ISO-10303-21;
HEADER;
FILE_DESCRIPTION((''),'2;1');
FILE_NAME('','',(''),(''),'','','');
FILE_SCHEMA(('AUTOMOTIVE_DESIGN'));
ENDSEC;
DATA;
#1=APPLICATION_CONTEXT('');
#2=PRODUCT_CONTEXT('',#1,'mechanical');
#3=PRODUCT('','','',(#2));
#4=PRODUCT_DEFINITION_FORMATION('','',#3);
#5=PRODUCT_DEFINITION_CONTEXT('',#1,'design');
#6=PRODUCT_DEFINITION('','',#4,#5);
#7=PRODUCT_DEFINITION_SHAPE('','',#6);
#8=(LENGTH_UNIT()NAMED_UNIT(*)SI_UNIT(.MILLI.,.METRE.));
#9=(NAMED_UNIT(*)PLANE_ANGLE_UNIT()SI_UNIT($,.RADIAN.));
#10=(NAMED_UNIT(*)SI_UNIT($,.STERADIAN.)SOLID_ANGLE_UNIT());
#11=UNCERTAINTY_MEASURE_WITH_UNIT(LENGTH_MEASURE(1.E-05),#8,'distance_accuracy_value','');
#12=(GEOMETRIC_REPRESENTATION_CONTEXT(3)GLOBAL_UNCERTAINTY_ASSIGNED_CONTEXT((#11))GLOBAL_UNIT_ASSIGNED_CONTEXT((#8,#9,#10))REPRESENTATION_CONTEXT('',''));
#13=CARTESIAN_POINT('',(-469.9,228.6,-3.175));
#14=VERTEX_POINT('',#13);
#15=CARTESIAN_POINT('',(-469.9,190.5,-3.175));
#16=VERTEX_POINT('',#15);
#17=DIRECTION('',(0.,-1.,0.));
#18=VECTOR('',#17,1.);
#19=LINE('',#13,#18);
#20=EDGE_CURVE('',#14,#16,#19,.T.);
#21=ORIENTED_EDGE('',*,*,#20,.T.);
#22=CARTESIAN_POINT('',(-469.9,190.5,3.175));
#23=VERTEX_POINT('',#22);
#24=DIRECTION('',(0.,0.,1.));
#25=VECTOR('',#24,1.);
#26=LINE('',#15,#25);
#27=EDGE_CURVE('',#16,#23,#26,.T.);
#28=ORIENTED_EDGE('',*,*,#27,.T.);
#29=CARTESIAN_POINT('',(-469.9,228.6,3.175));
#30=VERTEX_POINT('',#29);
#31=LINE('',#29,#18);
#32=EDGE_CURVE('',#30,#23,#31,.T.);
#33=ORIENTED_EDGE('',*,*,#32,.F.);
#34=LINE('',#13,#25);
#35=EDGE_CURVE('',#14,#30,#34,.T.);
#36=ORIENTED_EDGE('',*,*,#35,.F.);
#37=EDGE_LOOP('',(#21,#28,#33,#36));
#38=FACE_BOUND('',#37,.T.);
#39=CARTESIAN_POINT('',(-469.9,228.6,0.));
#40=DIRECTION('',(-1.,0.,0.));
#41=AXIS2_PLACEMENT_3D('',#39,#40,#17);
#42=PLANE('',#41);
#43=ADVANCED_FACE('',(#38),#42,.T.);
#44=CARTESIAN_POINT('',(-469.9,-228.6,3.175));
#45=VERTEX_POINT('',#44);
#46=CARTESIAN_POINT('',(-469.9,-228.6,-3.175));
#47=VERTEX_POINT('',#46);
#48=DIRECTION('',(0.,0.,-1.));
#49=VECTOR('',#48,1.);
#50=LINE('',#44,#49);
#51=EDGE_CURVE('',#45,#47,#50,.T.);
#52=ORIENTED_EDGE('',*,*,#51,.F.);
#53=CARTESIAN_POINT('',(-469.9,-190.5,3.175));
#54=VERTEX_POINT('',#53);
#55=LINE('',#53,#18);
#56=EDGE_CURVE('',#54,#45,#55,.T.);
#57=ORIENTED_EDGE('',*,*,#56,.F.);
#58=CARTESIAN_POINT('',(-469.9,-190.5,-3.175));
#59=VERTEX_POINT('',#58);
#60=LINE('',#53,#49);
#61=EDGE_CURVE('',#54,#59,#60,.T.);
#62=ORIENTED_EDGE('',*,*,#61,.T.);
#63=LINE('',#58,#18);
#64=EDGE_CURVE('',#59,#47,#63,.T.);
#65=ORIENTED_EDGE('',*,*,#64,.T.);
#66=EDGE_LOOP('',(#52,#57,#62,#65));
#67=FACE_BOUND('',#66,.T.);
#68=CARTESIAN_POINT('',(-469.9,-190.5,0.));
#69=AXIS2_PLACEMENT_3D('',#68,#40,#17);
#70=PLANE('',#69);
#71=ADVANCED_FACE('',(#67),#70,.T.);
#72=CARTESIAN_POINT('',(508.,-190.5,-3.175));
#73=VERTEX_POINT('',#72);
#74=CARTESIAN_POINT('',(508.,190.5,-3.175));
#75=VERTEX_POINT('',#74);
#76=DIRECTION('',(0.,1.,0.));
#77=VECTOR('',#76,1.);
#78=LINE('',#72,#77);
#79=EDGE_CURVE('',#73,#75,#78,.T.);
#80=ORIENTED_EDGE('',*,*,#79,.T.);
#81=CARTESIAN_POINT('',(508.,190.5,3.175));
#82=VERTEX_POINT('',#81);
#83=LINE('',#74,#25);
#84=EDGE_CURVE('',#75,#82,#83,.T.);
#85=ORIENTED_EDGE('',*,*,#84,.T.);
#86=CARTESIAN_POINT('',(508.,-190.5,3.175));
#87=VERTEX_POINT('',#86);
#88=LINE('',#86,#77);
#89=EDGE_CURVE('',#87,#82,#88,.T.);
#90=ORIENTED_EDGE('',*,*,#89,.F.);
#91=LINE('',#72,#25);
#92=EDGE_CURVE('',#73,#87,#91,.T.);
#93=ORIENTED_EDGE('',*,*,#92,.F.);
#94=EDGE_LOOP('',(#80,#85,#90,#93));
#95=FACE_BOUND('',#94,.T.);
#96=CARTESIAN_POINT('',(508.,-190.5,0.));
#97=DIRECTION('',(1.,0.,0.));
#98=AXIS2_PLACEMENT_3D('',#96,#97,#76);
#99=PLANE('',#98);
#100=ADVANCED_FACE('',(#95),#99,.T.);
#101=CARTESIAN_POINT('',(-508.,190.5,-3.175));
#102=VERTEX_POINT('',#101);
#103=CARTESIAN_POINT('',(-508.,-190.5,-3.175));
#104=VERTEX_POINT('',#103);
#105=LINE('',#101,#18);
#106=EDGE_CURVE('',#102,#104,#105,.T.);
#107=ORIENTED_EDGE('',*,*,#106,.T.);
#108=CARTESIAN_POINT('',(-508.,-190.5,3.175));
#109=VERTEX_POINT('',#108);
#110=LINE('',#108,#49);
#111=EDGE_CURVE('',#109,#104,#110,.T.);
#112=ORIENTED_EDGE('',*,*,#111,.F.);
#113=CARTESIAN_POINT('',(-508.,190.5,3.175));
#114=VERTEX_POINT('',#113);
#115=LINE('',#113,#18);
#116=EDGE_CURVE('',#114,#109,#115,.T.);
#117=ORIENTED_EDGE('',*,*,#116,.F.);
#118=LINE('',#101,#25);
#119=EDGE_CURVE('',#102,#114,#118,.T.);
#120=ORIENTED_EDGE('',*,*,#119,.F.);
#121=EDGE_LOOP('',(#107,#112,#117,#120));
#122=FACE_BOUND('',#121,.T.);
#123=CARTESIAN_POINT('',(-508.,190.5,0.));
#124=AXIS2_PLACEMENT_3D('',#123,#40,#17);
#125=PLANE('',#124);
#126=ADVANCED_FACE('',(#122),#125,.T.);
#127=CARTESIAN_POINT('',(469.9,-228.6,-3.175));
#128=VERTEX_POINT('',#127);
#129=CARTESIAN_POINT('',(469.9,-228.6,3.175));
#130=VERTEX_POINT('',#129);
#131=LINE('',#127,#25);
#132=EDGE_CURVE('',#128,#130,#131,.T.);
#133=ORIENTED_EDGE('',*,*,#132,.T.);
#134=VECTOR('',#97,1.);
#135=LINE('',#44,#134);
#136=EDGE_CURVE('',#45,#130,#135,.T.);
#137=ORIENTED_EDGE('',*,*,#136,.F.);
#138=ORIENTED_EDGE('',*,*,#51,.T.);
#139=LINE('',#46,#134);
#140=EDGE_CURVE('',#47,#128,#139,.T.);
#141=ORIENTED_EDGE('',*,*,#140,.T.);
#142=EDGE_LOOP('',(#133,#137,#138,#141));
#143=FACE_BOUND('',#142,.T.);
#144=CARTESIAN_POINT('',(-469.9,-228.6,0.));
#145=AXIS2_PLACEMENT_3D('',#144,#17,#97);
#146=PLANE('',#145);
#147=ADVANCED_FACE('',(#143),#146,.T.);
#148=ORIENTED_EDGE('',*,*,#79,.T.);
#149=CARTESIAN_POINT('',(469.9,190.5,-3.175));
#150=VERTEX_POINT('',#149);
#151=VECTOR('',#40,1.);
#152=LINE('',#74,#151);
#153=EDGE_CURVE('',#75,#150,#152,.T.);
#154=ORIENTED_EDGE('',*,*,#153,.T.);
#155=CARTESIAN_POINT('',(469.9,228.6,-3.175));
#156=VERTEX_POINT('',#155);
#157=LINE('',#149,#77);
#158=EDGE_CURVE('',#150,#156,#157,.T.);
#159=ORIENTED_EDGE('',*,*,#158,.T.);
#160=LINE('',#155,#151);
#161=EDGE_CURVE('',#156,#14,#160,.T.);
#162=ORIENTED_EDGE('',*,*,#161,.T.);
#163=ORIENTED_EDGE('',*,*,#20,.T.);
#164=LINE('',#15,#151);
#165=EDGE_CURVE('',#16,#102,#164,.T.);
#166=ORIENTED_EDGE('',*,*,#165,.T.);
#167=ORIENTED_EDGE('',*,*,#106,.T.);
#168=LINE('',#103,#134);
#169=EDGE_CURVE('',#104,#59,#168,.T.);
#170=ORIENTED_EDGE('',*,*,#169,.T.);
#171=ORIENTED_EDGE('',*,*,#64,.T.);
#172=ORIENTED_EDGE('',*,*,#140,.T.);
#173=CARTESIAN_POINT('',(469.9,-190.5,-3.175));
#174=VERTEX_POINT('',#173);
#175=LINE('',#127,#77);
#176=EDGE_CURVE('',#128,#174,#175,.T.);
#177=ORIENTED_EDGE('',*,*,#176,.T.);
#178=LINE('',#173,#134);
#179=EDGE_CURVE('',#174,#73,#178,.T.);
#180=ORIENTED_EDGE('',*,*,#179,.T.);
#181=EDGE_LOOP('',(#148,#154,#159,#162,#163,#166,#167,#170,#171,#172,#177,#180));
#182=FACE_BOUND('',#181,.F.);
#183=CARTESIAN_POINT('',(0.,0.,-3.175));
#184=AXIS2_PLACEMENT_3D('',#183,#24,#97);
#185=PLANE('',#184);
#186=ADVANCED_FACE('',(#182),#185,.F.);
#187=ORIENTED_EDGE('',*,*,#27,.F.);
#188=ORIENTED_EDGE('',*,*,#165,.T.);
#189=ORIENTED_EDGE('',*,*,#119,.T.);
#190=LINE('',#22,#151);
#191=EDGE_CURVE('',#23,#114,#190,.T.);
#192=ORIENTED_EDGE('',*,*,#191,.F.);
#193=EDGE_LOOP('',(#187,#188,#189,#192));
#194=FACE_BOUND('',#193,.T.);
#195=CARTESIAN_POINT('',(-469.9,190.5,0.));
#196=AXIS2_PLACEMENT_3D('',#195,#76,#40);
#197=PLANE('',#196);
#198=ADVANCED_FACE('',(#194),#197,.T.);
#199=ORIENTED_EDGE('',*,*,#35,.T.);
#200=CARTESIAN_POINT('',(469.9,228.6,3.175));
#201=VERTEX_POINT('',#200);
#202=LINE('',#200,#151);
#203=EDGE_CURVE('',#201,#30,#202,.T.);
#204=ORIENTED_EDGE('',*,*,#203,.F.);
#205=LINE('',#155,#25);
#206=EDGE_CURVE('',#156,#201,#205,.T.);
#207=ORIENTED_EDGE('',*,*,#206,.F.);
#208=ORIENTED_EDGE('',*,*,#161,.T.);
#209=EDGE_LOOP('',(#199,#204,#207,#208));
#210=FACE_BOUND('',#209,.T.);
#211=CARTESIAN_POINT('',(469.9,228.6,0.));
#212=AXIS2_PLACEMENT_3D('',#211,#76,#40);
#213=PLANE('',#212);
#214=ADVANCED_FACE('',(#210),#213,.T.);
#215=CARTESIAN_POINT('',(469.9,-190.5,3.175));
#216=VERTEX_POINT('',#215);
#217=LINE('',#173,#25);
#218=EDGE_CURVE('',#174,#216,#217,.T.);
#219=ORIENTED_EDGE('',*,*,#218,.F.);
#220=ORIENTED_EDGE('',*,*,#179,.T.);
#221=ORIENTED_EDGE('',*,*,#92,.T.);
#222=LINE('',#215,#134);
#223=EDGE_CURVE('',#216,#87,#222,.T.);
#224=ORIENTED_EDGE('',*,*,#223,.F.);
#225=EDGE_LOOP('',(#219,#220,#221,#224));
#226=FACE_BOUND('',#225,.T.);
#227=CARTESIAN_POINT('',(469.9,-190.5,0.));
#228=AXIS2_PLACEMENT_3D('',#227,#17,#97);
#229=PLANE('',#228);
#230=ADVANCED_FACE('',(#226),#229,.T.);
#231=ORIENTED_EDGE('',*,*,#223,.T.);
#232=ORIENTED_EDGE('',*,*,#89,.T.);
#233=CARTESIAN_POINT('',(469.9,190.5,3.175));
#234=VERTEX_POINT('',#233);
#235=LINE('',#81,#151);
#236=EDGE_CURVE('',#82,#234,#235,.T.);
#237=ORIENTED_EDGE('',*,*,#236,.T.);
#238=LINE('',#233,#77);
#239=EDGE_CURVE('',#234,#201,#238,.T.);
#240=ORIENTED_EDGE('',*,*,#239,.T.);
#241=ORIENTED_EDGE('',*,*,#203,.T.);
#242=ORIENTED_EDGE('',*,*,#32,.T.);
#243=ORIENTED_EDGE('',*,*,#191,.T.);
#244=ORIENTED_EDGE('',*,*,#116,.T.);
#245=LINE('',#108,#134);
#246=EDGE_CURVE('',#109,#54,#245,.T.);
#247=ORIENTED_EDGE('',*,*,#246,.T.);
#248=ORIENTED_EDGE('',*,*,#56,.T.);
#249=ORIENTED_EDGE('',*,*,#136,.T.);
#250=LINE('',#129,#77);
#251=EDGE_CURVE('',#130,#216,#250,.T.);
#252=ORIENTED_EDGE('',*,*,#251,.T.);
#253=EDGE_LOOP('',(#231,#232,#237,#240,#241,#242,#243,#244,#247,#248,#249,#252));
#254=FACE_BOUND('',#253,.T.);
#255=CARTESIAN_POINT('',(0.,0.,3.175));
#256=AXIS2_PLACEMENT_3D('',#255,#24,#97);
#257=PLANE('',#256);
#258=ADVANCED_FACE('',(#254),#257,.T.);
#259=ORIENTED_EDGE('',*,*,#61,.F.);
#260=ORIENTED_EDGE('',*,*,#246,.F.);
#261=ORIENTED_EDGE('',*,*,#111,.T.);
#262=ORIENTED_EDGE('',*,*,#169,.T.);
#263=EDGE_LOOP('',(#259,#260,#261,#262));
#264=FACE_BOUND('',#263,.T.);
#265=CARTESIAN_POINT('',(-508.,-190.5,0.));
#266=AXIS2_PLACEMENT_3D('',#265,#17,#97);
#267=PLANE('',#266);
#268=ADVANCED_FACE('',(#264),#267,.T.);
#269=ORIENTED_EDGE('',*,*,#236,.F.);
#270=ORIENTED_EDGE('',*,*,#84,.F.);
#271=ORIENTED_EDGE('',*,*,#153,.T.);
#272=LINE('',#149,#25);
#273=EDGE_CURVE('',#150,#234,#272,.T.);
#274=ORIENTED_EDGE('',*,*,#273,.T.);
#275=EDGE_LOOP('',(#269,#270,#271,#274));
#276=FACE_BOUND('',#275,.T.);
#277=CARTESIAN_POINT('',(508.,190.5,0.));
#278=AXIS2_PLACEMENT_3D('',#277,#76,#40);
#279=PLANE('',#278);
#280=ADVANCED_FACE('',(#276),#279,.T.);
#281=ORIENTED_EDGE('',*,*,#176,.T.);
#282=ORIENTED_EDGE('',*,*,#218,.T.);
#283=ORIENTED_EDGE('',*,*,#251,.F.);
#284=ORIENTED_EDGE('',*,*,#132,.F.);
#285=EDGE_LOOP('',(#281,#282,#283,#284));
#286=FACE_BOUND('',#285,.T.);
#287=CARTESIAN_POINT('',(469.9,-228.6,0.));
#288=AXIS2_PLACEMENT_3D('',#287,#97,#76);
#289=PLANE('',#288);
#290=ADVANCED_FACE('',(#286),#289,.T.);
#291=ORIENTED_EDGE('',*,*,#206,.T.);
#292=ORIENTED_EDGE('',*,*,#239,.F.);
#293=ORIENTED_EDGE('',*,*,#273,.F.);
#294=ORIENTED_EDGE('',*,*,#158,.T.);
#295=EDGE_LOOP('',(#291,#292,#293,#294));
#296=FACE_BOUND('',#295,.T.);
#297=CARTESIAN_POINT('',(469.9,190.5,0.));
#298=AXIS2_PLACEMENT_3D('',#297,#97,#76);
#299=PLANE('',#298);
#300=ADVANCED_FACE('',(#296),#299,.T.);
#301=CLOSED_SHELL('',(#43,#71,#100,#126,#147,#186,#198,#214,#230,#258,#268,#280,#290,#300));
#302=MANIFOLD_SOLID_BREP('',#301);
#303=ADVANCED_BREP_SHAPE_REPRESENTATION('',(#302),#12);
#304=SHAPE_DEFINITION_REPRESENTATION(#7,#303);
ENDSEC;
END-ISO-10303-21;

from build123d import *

# Parameters (mm, degrees)
F1_DEPTH = 3.175


with BuildPart() as f1:
    # F0 (on Top) → F1 (new body, symmetric)
    with BuildSketch(Plane.XY):
        Polygon((-469.9, -228.6), (469.9, -228.6), (469.9, -190.5), (508, -190.5), (508, 190.5), (469.9, 190.5), (469.9, 228.6), (-469.9, 228.6), (-469.9, 190.5), (-508, 190.5), (-508, -190.5), (-469.9, -190.5), align=None)
    extrude(amount=F1_DEPTH, both=True)


solid = f1.part
